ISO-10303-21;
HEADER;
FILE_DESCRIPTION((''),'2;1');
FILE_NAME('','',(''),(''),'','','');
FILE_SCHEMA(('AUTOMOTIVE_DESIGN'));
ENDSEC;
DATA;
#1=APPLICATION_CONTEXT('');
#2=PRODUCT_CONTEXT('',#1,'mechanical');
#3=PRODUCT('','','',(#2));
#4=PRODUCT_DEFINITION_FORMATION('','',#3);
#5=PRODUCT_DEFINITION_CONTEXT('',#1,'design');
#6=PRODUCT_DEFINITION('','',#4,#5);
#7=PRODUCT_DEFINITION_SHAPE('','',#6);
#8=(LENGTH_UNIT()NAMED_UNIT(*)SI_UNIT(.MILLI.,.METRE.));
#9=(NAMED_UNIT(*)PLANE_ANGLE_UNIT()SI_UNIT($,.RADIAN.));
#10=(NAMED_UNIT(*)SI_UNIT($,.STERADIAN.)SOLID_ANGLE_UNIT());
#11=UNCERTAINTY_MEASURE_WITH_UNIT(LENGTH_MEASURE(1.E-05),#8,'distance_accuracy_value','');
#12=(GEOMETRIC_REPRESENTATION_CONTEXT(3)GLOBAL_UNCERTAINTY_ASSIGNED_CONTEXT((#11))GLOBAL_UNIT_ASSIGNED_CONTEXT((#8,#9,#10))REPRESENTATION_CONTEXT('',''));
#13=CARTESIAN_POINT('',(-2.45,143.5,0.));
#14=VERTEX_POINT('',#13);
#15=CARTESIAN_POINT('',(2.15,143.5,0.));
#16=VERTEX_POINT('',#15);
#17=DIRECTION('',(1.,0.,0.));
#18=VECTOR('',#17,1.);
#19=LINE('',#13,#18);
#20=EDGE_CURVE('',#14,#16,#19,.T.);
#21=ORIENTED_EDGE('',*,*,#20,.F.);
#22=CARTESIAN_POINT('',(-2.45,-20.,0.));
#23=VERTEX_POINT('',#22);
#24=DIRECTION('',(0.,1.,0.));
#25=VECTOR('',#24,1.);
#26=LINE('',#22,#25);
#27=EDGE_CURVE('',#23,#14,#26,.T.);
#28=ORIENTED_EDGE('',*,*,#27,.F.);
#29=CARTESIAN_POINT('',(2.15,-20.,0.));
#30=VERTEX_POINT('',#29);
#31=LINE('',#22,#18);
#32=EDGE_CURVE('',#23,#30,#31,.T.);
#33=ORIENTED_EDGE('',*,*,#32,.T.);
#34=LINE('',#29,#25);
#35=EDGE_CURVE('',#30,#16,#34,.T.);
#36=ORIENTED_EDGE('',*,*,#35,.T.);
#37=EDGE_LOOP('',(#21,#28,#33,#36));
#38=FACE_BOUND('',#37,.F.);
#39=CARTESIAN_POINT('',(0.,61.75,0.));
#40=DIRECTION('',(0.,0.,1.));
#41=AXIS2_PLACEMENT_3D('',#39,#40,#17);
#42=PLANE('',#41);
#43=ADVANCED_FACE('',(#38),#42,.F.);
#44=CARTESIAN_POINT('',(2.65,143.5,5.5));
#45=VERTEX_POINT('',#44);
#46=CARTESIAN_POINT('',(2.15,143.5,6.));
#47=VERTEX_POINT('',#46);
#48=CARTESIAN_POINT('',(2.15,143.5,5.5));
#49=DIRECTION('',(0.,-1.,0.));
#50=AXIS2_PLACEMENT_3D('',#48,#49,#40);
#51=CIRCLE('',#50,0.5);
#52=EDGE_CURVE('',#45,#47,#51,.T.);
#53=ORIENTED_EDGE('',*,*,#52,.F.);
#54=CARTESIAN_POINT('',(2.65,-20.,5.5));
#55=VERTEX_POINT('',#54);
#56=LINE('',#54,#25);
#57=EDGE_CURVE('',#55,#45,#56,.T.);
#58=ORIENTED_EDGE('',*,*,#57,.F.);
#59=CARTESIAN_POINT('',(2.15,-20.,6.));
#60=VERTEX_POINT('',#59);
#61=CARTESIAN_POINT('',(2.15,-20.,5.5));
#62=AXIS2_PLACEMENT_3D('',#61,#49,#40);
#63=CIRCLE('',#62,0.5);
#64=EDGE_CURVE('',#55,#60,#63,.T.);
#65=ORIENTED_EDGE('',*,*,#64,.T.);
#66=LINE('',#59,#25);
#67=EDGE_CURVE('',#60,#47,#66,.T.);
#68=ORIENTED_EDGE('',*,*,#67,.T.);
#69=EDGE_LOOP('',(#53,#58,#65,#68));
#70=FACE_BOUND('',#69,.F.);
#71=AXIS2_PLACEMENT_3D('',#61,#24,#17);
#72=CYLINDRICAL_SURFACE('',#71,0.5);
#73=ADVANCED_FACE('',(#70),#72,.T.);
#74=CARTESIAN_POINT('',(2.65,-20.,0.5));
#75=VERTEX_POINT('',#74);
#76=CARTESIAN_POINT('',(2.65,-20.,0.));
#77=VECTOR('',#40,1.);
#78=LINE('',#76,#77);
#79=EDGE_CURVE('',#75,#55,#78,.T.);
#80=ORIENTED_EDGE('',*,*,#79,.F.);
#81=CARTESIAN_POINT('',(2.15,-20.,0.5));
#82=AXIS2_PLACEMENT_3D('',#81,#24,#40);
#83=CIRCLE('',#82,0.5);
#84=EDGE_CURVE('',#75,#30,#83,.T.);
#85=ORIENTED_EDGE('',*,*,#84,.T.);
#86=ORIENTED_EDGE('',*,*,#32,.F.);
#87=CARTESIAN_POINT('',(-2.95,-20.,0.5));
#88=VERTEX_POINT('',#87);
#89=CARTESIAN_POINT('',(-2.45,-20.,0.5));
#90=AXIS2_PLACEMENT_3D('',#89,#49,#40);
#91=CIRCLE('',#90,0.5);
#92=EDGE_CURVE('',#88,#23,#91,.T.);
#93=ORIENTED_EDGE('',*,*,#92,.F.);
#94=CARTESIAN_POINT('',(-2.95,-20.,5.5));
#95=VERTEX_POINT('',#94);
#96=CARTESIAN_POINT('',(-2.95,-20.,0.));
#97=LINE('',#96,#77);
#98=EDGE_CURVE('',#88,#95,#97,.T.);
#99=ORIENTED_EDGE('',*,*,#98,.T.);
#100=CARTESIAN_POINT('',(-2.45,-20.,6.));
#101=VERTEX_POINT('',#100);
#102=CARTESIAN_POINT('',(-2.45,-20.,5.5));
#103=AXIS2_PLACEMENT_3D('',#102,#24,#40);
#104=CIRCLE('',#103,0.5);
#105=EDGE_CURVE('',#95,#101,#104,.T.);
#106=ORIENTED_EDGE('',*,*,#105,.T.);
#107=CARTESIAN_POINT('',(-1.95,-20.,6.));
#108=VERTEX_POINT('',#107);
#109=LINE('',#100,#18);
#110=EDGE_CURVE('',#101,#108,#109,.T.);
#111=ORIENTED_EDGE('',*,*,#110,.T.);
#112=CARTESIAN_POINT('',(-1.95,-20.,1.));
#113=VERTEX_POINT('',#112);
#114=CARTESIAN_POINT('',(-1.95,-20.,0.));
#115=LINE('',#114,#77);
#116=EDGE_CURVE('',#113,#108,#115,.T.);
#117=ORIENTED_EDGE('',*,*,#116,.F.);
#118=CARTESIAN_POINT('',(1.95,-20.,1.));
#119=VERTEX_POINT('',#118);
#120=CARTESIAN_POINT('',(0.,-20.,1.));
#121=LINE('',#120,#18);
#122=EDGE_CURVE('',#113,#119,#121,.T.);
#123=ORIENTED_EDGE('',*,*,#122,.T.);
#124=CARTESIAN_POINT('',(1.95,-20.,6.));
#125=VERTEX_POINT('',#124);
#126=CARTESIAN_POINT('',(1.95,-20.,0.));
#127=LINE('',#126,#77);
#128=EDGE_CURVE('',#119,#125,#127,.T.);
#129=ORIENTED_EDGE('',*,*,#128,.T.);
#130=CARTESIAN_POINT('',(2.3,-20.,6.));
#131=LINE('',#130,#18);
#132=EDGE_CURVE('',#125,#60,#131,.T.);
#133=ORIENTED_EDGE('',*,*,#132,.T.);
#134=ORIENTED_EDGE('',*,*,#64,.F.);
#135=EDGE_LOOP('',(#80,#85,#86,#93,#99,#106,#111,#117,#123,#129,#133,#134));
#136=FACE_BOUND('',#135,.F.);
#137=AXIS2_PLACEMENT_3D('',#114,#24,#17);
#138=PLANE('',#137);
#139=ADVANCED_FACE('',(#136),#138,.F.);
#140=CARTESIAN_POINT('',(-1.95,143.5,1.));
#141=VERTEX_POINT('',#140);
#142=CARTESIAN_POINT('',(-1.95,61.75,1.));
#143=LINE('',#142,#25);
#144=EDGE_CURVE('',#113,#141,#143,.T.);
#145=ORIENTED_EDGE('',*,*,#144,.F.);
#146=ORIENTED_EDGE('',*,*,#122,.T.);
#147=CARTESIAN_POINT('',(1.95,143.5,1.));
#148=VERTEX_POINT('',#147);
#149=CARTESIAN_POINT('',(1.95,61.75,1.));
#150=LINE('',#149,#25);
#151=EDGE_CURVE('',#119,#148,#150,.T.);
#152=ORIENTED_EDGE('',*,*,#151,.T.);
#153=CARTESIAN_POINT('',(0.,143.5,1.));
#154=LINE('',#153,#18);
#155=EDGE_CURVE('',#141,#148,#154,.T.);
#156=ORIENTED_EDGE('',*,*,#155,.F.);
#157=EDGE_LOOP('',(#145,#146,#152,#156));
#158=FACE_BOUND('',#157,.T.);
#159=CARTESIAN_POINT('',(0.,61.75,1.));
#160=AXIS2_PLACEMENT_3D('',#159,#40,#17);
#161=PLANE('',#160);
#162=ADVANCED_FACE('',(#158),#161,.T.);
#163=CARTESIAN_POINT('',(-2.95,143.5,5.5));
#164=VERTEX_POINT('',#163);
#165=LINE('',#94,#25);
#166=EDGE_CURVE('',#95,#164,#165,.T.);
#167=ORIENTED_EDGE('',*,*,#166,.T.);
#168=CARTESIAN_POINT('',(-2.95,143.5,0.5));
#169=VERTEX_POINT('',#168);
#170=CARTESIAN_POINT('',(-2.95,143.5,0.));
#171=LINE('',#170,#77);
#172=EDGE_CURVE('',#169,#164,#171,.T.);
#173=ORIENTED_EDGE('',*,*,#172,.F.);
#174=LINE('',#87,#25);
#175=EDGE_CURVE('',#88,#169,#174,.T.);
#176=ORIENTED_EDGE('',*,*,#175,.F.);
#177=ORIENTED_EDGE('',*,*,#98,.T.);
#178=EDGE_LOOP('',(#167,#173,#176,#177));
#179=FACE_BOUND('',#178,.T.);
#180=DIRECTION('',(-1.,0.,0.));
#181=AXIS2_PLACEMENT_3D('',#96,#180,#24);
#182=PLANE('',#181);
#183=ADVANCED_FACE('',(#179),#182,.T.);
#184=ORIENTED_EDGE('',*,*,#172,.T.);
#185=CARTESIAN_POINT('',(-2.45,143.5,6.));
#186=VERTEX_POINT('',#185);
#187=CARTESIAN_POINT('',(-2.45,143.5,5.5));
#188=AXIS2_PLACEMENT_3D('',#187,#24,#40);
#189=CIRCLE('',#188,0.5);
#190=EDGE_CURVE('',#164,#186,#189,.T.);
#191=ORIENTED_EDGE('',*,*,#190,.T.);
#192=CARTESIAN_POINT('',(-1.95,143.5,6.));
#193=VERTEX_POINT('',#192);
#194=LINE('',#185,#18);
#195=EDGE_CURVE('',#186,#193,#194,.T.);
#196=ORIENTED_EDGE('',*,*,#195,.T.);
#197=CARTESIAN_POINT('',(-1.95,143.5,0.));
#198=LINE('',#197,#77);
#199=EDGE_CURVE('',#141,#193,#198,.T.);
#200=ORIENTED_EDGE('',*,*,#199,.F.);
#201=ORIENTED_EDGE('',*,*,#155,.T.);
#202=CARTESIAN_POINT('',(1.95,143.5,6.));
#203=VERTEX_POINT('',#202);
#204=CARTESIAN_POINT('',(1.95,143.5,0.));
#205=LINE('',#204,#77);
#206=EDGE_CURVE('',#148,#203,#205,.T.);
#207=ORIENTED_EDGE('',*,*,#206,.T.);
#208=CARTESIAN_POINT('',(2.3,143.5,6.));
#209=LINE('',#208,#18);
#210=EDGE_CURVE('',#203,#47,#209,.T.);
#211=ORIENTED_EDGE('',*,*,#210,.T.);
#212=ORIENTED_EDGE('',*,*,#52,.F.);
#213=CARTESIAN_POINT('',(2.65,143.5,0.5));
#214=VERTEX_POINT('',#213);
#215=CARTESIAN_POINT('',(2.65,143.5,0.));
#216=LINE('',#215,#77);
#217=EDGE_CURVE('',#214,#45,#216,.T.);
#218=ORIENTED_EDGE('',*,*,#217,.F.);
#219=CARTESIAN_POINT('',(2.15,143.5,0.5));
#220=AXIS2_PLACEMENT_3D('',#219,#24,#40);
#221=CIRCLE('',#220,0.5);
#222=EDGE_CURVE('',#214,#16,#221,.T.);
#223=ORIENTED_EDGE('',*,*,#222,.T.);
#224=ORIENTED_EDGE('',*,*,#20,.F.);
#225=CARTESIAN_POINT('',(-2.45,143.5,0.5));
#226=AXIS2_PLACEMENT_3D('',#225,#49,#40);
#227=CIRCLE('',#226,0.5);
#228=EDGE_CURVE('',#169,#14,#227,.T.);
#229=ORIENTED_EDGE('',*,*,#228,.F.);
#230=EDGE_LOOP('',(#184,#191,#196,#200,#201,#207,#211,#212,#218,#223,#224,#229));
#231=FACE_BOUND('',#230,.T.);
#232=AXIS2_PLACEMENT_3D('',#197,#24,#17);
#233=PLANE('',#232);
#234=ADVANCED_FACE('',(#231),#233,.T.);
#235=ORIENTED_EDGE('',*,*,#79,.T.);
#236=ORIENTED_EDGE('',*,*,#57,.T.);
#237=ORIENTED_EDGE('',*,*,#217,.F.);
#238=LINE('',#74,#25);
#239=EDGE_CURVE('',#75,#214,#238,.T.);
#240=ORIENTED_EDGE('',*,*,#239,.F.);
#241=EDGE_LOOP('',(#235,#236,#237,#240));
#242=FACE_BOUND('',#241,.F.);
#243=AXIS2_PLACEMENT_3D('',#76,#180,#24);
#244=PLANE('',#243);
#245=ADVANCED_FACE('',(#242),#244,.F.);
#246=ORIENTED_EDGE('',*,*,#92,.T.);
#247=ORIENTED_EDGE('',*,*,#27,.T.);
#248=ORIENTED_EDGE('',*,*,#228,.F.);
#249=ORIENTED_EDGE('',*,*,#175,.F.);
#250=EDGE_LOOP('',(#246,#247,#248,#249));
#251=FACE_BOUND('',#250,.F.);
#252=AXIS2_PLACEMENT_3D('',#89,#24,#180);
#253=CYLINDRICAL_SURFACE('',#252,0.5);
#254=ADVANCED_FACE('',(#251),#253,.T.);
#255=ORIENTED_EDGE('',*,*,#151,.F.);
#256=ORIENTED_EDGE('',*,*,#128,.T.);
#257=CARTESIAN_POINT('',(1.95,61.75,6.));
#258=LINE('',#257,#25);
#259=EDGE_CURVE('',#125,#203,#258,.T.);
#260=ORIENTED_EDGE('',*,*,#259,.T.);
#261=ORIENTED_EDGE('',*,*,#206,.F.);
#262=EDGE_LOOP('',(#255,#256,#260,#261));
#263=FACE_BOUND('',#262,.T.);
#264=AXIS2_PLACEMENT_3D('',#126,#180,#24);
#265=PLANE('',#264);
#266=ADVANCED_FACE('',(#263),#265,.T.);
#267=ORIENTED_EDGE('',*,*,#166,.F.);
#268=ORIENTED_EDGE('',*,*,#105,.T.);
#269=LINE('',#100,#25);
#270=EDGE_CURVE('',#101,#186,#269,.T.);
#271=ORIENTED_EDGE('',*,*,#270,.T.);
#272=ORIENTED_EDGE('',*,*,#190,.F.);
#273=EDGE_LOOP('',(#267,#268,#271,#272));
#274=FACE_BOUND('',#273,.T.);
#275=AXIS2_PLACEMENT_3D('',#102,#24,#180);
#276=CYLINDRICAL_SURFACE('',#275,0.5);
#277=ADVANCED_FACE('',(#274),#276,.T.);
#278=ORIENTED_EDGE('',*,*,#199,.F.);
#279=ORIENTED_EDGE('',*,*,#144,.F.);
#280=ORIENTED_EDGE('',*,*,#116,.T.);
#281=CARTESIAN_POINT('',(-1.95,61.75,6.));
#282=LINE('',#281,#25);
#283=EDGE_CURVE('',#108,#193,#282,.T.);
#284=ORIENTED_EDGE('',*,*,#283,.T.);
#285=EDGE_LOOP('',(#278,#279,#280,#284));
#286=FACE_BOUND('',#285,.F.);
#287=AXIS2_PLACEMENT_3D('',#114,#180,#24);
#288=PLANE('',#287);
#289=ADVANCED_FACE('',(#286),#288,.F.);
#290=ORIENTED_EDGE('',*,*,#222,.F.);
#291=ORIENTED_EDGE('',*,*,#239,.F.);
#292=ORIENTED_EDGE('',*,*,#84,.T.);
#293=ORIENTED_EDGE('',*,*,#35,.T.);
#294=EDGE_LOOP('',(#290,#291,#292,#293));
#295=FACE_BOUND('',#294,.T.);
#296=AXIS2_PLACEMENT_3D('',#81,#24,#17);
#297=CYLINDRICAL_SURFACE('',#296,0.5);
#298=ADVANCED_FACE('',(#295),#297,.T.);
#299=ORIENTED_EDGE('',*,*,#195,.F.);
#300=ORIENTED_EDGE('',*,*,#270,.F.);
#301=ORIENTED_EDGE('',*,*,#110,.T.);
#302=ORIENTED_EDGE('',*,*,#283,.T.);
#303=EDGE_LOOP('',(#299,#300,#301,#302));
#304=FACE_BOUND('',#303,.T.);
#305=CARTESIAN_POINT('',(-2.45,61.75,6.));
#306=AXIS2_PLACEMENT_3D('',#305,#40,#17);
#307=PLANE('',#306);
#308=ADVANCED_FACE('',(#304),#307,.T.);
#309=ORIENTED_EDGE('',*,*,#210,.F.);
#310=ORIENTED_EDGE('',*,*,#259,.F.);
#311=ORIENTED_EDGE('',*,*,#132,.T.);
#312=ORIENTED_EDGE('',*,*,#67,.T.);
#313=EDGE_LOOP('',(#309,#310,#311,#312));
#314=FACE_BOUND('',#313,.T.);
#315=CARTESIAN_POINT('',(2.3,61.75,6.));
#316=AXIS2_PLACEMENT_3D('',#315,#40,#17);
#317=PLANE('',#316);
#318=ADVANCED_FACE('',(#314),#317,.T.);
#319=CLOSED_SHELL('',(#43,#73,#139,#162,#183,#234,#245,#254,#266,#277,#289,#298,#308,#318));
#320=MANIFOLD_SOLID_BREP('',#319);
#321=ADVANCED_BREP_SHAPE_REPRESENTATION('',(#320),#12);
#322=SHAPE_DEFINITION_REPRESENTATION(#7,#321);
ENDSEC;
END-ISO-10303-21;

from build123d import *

# Parameters (mm, degrees)
F0_W     = 1
F0_H     = 163.5
F1_DEPTH = 6
F0_W_2   = 0.7
F2_R     = 0.5
F2_2_R   = 0.5
F0_W_3   = 3.9
F3_DEPTH = 1


with BuildPart() as f1:
    # F0 (on Top) → F1 (new body)
    with BuildSketch(Plane.XY):
        with Locations((-2.45, 61.75)):
            Rectangle(F0_W, F0_H)
    extrude(amount=F1_DEPTH)

    # F2
    f2_edges = [f1.edges().sort_by_distance(p)[0] for p in [
        (-2.95, 61.75, 6),
        (-2.95, 61.75, 0),
    ]]
    fillet(f2_edges, radius=F2_R)



with BuildPart() as f1b:
    # F0 (on Top) → F1, piece 2 (new body)
    with BuildSketch(Plane.XY):
        with Locations((2.3, 61.75)):
            Rectangle(F0_W_2, F0_H)
    extrude(amount=F1_DEPTH)

    # F2#2
    f2_2_edges = [f1b.edges().sort_by_distance(p)[0] for p in [
        (2.65, 61.75, 6),
        (2.65, 61.75, 0),
    ]]
    fillet(f2_2_edges, radius=F2_2_R)


with BuildPart() as f1_1:
    add(f1.part)

    add(f1b.part)  # F3 merges F1b
    # F0 (on Top) → F3 (join)
    with BuildSketch(Plane.XY):
        with Locations((0, 61.75)):
            Rectangle(F0_W_3, F0_H)
    extrude(amount=F3_DEPTH)


solid = f1_1.part
